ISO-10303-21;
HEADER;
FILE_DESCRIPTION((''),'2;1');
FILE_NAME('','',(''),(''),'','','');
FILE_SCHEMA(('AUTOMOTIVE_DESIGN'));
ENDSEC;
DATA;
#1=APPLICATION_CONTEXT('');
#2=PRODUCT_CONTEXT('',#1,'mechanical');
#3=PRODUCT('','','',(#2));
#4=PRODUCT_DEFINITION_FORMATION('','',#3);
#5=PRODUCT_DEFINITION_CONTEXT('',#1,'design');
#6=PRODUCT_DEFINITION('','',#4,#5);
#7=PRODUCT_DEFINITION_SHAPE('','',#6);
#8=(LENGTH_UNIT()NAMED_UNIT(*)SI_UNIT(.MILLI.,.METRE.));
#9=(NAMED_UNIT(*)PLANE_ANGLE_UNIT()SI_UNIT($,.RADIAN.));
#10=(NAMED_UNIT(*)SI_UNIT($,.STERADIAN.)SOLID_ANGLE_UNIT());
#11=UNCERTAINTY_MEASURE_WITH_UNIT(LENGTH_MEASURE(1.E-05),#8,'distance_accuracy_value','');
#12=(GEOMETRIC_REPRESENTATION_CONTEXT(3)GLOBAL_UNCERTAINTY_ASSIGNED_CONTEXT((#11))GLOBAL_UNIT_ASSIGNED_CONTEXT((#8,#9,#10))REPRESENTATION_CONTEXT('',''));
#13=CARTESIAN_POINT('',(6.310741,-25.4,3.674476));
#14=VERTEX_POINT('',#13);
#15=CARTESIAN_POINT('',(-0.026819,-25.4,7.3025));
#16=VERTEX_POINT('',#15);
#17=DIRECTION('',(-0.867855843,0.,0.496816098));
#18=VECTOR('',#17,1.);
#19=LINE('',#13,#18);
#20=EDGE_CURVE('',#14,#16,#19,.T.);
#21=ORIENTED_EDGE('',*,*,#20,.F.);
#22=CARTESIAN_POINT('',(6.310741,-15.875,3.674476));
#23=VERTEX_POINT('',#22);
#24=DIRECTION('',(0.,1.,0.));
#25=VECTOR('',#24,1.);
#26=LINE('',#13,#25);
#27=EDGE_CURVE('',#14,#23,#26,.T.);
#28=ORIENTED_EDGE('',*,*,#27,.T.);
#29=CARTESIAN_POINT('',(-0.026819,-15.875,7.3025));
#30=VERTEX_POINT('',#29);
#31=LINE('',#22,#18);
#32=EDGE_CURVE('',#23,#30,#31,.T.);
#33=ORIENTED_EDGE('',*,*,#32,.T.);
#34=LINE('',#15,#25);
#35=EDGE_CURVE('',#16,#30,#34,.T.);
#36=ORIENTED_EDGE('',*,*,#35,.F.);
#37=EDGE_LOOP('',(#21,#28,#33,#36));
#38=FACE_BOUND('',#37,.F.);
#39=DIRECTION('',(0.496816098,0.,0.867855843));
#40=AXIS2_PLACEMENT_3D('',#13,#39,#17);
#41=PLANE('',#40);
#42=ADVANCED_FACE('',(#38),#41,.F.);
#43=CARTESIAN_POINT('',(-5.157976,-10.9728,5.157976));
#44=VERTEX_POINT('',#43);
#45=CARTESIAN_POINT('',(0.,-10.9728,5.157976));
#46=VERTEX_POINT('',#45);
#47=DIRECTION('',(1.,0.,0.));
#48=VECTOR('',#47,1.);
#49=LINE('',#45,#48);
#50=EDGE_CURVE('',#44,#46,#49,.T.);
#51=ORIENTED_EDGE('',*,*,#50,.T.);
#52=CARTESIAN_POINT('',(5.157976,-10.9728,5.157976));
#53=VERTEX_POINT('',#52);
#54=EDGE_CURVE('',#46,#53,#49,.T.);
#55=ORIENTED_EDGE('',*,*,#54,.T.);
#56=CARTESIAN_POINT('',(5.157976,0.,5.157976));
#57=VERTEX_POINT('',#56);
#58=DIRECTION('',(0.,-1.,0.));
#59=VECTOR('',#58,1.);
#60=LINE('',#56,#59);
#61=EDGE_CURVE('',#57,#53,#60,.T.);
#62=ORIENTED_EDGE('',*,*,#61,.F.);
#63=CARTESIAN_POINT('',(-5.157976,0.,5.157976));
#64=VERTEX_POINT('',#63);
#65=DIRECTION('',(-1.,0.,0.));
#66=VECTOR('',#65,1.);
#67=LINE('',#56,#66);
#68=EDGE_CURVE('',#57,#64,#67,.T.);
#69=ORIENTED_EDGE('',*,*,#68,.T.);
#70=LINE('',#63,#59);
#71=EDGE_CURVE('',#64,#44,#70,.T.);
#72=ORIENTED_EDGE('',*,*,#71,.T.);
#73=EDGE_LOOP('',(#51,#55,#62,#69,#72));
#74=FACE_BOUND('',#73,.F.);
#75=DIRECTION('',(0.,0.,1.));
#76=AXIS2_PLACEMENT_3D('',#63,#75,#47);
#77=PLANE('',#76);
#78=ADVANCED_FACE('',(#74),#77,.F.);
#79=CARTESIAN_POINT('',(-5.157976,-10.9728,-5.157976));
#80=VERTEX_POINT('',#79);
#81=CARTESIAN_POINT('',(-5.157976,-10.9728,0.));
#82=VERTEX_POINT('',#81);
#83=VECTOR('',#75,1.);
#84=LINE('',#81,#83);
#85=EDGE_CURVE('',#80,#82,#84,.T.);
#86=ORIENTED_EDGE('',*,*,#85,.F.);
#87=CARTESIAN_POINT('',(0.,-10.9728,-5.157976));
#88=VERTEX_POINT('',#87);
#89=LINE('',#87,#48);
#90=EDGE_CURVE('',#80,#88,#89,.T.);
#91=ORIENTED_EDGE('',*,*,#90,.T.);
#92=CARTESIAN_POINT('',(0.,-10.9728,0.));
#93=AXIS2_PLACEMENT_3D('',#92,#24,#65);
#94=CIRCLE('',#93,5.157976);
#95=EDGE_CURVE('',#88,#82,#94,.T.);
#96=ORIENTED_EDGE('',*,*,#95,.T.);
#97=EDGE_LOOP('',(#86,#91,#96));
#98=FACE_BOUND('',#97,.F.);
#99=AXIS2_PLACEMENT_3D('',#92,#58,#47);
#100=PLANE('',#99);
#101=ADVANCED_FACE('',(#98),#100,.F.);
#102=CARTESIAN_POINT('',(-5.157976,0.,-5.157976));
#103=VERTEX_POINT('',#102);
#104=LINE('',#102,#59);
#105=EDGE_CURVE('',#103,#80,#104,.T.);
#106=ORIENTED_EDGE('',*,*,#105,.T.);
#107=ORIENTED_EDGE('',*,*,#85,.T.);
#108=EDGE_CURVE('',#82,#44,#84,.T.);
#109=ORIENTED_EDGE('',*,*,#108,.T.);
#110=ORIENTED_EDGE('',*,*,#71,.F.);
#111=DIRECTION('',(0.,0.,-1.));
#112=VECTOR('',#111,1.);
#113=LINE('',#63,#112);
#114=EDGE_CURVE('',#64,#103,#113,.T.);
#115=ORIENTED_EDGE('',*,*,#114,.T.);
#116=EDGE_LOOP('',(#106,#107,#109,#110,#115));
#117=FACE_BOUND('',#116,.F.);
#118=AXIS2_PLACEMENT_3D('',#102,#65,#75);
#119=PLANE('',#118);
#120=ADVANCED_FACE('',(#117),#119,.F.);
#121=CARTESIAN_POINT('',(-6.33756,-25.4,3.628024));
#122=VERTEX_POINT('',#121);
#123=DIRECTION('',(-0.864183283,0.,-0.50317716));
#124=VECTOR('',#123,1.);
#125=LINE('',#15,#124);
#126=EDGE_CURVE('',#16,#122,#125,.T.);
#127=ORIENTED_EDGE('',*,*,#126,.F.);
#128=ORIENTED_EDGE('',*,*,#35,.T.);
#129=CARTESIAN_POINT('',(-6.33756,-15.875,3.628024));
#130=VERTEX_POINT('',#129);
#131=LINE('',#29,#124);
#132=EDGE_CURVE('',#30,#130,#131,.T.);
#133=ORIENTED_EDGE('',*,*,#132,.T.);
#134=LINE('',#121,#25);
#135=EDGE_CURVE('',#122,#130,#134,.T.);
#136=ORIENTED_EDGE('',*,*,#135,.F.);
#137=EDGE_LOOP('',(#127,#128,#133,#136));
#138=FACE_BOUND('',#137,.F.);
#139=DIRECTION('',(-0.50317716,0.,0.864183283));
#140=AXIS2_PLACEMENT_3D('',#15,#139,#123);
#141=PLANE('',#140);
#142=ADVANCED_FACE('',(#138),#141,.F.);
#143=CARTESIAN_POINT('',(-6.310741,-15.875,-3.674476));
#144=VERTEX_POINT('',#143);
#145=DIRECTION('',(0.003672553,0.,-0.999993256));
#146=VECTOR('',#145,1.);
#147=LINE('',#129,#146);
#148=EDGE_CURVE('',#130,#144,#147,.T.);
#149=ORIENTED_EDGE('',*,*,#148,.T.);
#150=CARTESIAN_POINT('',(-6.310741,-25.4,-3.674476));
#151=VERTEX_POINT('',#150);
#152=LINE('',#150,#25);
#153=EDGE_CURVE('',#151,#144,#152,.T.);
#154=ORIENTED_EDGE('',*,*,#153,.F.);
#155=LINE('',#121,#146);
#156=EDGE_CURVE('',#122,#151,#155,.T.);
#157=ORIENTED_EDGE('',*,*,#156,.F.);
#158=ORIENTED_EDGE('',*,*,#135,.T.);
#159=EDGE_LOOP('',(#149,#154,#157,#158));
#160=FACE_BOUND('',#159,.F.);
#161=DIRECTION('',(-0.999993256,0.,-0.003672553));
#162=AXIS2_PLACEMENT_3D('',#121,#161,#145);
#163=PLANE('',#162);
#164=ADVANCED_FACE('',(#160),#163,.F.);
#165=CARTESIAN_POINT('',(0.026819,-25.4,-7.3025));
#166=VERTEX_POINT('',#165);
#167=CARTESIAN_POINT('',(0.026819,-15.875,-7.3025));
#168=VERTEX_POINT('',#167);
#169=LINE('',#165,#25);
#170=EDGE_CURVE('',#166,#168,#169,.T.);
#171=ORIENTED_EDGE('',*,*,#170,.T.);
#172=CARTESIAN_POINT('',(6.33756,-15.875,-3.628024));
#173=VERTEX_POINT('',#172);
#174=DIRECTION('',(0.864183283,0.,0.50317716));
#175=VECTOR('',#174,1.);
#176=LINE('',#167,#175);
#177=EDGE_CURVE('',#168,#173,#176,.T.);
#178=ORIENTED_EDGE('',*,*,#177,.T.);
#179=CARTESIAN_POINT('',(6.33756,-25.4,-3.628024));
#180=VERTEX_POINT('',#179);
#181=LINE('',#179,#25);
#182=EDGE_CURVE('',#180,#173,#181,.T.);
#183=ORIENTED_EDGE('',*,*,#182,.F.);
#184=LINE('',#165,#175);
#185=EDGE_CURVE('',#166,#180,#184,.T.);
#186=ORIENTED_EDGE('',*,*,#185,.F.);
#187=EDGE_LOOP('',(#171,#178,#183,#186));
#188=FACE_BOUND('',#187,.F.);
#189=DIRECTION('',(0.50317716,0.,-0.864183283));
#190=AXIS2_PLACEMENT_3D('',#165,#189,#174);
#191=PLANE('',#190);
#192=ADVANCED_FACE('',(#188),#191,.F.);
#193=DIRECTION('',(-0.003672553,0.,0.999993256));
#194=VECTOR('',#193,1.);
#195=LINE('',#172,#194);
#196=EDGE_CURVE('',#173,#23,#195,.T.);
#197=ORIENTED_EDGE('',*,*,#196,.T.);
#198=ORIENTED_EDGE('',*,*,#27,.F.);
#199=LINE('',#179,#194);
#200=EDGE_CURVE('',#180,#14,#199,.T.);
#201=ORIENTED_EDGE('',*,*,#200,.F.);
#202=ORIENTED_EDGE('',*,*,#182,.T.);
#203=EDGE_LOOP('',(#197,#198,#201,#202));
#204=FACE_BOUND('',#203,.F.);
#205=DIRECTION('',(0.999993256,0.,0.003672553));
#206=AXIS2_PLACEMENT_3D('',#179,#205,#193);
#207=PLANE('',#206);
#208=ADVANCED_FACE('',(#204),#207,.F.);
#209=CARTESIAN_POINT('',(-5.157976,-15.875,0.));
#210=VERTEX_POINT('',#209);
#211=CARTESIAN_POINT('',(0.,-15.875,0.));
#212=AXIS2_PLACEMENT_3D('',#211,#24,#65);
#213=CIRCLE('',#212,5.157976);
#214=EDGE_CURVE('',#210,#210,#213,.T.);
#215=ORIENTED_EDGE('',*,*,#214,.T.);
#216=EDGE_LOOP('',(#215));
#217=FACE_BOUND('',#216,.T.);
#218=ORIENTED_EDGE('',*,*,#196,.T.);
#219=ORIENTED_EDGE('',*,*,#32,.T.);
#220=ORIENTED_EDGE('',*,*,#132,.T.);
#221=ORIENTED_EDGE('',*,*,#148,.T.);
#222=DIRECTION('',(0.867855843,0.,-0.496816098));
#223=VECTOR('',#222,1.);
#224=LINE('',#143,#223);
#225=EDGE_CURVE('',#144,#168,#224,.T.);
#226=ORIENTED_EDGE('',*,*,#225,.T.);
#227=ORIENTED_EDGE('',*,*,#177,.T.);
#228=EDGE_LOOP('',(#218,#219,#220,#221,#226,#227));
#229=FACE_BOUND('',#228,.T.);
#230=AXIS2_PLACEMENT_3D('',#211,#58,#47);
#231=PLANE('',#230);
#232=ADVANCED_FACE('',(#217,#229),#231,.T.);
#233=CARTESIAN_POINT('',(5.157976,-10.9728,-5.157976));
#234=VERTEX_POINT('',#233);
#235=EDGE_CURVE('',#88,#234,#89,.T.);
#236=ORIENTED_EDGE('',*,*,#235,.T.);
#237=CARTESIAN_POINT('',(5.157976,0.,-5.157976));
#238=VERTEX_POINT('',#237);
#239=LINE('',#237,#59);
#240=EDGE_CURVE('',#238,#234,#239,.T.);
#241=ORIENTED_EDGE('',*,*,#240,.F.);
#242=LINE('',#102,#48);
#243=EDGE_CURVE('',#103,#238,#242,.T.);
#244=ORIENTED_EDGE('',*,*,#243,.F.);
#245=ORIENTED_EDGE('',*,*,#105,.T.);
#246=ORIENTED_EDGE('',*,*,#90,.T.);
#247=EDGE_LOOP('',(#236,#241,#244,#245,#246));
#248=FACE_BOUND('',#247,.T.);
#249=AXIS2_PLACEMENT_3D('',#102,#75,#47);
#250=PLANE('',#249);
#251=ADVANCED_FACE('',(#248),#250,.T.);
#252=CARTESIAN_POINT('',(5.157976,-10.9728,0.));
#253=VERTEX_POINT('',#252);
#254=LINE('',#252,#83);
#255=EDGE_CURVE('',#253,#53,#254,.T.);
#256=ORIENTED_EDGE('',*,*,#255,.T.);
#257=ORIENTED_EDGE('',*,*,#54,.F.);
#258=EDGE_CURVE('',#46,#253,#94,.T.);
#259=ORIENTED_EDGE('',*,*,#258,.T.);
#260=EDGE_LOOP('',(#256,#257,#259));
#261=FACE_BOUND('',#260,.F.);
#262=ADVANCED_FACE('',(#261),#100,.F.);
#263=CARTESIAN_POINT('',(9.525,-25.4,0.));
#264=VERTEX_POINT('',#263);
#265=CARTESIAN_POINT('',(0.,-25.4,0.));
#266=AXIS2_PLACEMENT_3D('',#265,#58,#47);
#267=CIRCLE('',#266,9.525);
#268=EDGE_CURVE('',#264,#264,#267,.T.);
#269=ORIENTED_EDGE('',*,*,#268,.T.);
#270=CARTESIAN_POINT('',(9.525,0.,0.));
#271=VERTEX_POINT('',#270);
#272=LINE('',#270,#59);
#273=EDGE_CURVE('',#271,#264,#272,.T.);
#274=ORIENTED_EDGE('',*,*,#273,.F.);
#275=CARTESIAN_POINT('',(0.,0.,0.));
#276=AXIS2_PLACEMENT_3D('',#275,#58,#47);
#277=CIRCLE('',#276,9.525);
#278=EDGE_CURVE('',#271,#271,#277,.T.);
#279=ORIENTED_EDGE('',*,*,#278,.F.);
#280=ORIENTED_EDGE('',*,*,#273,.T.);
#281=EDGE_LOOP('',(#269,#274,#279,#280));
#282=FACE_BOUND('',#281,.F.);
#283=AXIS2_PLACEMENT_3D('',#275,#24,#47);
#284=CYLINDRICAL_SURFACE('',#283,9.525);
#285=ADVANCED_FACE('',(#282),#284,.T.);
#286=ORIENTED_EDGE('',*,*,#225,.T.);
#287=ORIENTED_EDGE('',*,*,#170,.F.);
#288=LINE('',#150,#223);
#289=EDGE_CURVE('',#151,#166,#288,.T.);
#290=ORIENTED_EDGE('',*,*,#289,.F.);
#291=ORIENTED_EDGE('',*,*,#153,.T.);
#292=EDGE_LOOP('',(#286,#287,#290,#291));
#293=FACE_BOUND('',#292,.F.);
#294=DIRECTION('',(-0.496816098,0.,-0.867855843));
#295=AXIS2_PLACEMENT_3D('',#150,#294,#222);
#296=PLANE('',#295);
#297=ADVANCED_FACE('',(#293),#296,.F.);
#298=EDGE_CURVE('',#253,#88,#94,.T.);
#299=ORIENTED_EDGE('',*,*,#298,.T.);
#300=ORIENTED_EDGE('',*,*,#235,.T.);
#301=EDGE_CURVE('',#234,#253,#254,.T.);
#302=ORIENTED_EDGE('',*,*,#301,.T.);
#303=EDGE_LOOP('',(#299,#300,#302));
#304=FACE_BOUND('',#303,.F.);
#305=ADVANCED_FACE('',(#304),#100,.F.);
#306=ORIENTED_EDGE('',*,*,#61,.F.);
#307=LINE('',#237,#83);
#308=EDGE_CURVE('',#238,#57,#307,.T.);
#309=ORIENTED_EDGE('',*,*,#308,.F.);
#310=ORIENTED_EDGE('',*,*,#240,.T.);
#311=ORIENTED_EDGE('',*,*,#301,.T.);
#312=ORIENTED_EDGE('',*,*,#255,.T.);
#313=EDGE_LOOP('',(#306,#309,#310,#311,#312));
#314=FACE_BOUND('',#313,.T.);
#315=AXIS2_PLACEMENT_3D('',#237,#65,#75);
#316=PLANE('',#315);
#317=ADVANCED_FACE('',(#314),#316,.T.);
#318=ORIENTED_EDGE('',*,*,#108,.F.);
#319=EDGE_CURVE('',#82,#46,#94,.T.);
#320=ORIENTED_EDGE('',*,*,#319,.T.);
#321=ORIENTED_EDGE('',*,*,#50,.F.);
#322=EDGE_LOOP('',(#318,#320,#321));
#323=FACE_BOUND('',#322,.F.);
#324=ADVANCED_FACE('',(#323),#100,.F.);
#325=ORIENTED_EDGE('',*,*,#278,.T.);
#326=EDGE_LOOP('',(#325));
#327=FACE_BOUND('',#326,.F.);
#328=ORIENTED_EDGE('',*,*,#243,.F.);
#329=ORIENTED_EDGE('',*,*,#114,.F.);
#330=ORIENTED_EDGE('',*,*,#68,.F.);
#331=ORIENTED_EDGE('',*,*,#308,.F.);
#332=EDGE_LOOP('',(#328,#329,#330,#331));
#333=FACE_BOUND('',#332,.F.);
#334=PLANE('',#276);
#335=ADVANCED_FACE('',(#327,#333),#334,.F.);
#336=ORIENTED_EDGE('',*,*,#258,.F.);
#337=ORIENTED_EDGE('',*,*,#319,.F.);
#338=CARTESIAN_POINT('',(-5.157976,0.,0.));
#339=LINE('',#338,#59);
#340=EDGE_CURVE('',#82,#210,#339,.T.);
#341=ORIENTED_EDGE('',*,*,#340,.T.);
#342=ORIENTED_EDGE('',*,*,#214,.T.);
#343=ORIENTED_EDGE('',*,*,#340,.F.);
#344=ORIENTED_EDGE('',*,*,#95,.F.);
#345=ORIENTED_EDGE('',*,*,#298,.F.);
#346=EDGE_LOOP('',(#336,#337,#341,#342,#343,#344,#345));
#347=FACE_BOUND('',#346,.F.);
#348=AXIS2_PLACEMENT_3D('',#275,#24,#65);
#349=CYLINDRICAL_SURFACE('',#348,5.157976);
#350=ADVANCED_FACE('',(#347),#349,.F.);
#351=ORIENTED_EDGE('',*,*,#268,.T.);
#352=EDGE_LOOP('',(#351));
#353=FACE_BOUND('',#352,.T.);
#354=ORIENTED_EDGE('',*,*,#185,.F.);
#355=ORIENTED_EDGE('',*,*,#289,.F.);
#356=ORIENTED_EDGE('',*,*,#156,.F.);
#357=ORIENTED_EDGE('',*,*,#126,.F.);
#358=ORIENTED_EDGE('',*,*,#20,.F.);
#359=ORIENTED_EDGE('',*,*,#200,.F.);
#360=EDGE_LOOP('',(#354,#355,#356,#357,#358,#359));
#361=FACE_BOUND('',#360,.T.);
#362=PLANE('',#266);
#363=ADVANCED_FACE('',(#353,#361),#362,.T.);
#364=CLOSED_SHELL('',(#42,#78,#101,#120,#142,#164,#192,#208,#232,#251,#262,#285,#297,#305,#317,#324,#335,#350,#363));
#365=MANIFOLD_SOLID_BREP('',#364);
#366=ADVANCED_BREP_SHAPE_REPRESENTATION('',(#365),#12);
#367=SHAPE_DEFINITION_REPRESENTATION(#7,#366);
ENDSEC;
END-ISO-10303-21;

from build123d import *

# Parameters (mm, degrees)
F0_R     = 9.525
F1_DEPTH = 25.4
F3_DEPTH = 9.525
F5_W     = 10.315952
F5_H     = 10.315952
F6_DEPTH = 10.9728
F4_R     = 5.157976
F7_DEPTH = 25.401


with BuildPart() as f1:
    # F0 (on Front) → F1 (new body)
    with BuildSketch(Plane.XZ):
        Circle(F0_R)
    extrude(amount=F1_DEPTH)

    # F2 (on face) → F3 (cut)
    with BuildSketch(Plane.XZ.offset(25.4)):
        Polygon((6.310741, 3.674476), (-0.026819, 7.3025), (-6.33756, 3.628024), (-6.310741, -3.674476), (0.026819, -7.3025), (6.33756, -3.628024), align=None)
    extrude(amount=-F3_DEPTH, mode=Mode.SUBTRACT)

    # F5 (on Front) → F6 (cut)
    with BuildSketch(Plane.XZ):
        Rectangle(F5_W, F5_H)
    extrude(amount=F6_DEPTH, mode=Mode.SUBTRACT)

    # F4 (on face) → F7 (cut, through all)
    with BuildSketch(Plane(origin=(0, 0, 0), x_dir=(-1, 0, 0), z_dir=(0, 1, 0))):
        Circle(F4_R)
    extrude(amount=-F7_DEPTH, mode=Mode.SUBTRACT)


solid = f1.part
